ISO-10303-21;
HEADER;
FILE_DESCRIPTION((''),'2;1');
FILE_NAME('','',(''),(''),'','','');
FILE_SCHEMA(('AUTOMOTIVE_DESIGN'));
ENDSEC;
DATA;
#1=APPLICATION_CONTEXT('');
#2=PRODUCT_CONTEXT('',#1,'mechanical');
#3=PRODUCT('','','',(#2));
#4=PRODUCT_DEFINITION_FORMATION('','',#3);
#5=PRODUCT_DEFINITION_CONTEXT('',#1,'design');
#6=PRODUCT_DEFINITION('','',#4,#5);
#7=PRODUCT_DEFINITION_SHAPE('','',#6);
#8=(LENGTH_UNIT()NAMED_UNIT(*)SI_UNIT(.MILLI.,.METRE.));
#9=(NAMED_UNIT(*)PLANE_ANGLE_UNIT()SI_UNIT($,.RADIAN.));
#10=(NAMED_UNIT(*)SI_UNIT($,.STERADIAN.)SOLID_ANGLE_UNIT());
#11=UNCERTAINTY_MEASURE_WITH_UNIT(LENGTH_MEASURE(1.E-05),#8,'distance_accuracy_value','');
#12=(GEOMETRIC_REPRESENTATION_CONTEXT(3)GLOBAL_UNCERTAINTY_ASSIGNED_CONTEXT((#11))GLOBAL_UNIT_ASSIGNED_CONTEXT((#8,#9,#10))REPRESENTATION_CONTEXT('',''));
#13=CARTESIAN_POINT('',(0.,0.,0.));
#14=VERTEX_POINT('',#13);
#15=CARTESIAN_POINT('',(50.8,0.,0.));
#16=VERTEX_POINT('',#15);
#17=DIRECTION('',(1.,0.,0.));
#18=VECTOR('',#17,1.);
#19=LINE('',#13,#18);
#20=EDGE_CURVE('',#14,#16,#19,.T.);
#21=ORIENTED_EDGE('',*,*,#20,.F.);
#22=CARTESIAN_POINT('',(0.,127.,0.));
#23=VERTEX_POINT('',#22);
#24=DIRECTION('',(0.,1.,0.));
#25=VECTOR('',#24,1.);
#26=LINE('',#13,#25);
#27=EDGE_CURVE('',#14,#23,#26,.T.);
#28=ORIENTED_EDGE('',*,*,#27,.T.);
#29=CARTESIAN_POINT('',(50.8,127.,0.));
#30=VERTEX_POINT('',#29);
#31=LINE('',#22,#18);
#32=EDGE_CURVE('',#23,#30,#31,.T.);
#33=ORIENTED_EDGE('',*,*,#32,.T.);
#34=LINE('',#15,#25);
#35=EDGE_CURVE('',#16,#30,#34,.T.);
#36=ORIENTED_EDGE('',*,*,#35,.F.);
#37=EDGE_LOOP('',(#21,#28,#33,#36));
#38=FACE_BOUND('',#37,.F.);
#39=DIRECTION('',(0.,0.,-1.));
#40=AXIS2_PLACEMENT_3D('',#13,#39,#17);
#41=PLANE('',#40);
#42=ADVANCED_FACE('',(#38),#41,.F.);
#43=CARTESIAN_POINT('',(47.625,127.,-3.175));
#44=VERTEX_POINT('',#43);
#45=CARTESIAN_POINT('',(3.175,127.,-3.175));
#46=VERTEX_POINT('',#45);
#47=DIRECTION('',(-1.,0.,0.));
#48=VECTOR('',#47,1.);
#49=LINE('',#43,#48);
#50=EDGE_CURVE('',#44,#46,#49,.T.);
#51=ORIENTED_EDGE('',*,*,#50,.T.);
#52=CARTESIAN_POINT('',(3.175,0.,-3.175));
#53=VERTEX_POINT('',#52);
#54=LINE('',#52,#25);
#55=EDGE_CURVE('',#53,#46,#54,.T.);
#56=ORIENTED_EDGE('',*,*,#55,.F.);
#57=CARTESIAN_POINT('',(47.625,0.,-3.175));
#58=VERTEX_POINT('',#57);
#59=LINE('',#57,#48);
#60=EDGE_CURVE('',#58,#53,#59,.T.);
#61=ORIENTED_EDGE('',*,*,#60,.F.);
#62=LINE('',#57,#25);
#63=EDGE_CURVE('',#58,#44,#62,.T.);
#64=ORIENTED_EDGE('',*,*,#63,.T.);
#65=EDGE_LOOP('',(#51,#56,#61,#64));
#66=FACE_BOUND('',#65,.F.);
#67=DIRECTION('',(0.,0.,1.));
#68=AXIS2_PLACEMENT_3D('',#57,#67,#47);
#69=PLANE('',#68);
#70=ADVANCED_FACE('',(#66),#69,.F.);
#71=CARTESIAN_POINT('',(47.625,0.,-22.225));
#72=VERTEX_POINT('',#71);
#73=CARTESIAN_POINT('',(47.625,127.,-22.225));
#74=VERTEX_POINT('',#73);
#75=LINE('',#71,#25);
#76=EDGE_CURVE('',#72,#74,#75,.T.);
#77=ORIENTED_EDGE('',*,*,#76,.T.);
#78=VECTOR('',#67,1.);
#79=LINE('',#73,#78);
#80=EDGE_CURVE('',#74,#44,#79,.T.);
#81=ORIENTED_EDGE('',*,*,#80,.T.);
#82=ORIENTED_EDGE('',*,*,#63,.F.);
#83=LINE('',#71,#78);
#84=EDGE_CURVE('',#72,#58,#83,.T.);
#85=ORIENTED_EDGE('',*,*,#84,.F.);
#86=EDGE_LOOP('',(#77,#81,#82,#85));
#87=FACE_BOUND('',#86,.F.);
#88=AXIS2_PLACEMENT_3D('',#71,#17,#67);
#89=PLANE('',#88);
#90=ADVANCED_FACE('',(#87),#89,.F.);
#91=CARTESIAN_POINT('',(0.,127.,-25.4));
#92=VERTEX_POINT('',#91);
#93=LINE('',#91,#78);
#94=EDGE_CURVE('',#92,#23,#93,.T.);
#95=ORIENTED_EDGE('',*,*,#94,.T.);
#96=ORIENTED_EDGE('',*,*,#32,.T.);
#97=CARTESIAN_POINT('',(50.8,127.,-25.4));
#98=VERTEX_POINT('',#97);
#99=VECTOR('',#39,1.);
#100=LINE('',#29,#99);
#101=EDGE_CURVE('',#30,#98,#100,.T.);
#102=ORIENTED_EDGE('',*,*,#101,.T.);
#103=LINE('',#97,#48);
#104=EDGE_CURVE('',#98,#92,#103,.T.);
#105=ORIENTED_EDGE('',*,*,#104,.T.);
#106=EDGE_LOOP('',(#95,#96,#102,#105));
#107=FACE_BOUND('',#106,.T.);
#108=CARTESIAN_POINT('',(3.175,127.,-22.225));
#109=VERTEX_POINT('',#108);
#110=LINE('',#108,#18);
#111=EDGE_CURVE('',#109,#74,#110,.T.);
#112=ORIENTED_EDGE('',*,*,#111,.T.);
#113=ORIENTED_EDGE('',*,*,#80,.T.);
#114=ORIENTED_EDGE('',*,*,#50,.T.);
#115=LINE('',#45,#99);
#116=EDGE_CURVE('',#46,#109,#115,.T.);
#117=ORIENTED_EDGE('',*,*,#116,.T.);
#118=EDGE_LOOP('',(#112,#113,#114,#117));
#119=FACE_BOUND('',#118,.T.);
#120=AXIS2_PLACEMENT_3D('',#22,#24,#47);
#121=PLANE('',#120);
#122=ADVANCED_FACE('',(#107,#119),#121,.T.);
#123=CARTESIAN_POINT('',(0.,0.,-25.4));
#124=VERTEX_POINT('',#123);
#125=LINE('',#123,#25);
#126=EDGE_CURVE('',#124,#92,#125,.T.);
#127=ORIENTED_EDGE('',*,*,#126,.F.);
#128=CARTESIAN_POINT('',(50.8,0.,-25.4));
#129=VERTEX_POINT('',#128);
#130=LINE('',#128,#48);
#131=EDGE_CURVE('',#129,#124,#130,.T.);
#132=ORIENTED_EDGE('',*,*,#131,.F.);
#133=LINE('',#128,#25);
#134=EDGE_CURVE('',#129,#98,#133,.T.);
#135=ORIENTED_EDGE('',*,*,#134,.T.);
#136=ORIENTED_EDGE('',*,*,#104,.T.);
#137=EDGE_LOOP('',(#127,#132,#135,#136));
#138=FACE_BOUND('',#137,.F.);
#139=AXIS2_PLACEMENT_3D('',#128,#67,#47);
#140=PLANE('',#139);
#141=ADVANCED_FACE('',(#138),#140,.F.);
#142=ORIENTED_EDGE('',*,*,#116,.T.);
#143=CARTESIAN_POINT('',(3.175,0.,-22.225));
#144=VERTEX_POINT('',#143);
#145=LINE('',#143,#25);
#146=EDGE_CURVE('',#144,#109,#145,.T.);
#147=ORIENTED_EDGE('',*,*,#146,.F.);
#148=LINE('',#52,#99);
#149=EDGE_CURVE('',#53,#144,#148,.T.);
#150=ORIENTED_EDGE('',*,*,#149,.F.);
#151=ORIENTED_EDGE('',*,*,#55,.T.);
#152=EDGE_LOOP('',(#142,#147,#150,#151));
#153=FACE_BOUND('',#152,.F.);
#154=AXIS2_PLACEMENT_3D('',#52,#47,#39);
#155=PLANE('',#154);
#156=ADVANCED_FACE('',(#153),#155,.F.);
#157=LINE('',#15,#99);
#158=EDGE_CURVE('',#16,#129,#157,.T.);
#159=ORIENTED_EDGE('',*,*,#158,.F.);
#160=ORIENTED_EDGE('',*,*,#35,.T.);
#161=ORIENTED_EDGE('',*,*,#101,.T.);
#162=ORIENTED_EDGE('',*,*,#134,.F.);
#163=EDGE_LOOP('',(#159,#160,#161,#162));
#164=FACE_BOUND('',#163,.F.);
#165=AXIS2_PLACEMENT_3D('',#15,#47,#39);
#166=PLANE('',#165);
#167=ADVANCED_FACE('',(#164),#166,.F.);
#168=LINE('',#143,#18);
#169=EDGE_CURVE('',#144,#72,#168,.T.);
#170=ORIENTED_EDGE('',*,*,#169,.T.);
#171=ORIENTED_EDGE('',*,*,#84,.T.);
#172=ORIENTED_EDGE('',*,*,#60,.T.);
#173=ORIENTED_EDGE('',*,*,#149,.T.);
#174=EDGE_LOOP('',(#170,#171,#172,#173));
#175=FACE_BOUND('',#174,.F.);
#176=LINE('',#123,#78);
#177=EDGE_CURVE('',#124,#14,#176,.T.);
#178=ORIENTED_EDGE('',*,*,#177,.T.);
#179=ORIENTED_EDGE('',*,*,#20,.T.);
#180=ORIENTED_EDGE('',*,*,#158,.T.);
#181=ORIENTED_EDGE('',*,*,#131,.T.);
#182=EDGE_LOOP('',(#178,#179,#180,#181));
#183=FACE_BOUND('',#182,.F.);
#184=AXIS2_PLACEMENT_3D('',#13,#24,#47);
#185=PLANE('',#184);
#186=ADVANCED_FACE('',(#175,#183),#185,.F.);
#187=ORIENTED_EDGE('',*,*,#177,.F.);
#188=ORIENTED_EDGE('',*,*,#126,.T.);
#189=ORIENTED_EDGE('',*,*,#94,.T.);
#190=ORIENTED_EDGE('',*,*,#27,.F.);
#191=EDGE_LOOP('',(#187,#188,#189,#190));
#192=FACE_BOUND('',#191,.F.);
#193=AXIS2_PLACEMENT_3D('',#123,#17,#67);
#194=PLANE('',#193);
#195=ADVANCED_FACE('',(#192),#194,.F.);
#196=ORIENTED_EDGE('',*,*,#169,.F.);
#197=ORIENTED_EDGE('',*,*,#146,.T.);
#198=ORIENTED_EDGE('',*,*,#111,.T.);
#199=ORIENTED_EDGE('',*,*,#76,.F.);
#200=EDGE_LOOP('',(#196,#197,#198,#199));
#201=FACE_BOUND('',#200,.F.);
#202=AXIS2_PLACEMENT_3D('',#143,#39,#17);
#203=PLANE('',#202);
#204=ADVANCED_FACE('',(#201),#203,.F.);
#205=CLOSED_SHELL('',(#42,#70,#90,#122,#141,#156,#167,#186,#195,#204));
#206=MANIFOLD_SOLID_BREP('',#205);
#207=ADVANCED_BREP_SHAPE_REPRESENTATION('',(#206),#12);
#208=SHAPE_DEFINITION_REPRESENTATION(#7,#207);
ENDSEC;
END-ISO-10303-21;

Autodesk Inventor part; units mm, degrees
ref_plane "YZ Plane" through (0, 0, 0) normal (1, 0, 0) x (0, 1, 0)
ref_plane "XZ Plane" through (0, 0, 0) normal (0, 1, 0) x (-1, 0, 0)
ref_plane "XY Plane" through (0, 0, 0) normal (0, 0, 1) x (1, 0, 0)
sketch "Sketch1" plane through (0, 0, 0) normal (0, 1, 0) x (-1, 0, 0)
  line L0 (0, 0) -> (-50.8, 0)
  line L1 (-50.8, 0) -> (-50.8, -25.4)
  line L2 (-50.8, -25.4) -> (0, -25.4)
  line L3 (0, -25.4) -> (0, 0)
  line L4 (-3.175, -22.225) -> (-47.625, -22.225)
  line L5 (-47.625, -22.225) -> (-47.625, -3.175)
  line L6 (-47.625, -3.175) -> (-3.175, -3.175)
  line L7 (-3.175, -3.175) -> (-3.175, -22.225)
  dimension "d0" = 50.8
  dimension "d1" = 25.4
  dimension "d2" = 3.175
  dimension "d3" = 3.175
  dimension "d4" = 3.175
  dimension "d5" = 3.175
extrude "Extrusion1" add sketch "Sketch1" along normal blind 127
properties part number "5in 2x1" material "Aluminum 6061"
